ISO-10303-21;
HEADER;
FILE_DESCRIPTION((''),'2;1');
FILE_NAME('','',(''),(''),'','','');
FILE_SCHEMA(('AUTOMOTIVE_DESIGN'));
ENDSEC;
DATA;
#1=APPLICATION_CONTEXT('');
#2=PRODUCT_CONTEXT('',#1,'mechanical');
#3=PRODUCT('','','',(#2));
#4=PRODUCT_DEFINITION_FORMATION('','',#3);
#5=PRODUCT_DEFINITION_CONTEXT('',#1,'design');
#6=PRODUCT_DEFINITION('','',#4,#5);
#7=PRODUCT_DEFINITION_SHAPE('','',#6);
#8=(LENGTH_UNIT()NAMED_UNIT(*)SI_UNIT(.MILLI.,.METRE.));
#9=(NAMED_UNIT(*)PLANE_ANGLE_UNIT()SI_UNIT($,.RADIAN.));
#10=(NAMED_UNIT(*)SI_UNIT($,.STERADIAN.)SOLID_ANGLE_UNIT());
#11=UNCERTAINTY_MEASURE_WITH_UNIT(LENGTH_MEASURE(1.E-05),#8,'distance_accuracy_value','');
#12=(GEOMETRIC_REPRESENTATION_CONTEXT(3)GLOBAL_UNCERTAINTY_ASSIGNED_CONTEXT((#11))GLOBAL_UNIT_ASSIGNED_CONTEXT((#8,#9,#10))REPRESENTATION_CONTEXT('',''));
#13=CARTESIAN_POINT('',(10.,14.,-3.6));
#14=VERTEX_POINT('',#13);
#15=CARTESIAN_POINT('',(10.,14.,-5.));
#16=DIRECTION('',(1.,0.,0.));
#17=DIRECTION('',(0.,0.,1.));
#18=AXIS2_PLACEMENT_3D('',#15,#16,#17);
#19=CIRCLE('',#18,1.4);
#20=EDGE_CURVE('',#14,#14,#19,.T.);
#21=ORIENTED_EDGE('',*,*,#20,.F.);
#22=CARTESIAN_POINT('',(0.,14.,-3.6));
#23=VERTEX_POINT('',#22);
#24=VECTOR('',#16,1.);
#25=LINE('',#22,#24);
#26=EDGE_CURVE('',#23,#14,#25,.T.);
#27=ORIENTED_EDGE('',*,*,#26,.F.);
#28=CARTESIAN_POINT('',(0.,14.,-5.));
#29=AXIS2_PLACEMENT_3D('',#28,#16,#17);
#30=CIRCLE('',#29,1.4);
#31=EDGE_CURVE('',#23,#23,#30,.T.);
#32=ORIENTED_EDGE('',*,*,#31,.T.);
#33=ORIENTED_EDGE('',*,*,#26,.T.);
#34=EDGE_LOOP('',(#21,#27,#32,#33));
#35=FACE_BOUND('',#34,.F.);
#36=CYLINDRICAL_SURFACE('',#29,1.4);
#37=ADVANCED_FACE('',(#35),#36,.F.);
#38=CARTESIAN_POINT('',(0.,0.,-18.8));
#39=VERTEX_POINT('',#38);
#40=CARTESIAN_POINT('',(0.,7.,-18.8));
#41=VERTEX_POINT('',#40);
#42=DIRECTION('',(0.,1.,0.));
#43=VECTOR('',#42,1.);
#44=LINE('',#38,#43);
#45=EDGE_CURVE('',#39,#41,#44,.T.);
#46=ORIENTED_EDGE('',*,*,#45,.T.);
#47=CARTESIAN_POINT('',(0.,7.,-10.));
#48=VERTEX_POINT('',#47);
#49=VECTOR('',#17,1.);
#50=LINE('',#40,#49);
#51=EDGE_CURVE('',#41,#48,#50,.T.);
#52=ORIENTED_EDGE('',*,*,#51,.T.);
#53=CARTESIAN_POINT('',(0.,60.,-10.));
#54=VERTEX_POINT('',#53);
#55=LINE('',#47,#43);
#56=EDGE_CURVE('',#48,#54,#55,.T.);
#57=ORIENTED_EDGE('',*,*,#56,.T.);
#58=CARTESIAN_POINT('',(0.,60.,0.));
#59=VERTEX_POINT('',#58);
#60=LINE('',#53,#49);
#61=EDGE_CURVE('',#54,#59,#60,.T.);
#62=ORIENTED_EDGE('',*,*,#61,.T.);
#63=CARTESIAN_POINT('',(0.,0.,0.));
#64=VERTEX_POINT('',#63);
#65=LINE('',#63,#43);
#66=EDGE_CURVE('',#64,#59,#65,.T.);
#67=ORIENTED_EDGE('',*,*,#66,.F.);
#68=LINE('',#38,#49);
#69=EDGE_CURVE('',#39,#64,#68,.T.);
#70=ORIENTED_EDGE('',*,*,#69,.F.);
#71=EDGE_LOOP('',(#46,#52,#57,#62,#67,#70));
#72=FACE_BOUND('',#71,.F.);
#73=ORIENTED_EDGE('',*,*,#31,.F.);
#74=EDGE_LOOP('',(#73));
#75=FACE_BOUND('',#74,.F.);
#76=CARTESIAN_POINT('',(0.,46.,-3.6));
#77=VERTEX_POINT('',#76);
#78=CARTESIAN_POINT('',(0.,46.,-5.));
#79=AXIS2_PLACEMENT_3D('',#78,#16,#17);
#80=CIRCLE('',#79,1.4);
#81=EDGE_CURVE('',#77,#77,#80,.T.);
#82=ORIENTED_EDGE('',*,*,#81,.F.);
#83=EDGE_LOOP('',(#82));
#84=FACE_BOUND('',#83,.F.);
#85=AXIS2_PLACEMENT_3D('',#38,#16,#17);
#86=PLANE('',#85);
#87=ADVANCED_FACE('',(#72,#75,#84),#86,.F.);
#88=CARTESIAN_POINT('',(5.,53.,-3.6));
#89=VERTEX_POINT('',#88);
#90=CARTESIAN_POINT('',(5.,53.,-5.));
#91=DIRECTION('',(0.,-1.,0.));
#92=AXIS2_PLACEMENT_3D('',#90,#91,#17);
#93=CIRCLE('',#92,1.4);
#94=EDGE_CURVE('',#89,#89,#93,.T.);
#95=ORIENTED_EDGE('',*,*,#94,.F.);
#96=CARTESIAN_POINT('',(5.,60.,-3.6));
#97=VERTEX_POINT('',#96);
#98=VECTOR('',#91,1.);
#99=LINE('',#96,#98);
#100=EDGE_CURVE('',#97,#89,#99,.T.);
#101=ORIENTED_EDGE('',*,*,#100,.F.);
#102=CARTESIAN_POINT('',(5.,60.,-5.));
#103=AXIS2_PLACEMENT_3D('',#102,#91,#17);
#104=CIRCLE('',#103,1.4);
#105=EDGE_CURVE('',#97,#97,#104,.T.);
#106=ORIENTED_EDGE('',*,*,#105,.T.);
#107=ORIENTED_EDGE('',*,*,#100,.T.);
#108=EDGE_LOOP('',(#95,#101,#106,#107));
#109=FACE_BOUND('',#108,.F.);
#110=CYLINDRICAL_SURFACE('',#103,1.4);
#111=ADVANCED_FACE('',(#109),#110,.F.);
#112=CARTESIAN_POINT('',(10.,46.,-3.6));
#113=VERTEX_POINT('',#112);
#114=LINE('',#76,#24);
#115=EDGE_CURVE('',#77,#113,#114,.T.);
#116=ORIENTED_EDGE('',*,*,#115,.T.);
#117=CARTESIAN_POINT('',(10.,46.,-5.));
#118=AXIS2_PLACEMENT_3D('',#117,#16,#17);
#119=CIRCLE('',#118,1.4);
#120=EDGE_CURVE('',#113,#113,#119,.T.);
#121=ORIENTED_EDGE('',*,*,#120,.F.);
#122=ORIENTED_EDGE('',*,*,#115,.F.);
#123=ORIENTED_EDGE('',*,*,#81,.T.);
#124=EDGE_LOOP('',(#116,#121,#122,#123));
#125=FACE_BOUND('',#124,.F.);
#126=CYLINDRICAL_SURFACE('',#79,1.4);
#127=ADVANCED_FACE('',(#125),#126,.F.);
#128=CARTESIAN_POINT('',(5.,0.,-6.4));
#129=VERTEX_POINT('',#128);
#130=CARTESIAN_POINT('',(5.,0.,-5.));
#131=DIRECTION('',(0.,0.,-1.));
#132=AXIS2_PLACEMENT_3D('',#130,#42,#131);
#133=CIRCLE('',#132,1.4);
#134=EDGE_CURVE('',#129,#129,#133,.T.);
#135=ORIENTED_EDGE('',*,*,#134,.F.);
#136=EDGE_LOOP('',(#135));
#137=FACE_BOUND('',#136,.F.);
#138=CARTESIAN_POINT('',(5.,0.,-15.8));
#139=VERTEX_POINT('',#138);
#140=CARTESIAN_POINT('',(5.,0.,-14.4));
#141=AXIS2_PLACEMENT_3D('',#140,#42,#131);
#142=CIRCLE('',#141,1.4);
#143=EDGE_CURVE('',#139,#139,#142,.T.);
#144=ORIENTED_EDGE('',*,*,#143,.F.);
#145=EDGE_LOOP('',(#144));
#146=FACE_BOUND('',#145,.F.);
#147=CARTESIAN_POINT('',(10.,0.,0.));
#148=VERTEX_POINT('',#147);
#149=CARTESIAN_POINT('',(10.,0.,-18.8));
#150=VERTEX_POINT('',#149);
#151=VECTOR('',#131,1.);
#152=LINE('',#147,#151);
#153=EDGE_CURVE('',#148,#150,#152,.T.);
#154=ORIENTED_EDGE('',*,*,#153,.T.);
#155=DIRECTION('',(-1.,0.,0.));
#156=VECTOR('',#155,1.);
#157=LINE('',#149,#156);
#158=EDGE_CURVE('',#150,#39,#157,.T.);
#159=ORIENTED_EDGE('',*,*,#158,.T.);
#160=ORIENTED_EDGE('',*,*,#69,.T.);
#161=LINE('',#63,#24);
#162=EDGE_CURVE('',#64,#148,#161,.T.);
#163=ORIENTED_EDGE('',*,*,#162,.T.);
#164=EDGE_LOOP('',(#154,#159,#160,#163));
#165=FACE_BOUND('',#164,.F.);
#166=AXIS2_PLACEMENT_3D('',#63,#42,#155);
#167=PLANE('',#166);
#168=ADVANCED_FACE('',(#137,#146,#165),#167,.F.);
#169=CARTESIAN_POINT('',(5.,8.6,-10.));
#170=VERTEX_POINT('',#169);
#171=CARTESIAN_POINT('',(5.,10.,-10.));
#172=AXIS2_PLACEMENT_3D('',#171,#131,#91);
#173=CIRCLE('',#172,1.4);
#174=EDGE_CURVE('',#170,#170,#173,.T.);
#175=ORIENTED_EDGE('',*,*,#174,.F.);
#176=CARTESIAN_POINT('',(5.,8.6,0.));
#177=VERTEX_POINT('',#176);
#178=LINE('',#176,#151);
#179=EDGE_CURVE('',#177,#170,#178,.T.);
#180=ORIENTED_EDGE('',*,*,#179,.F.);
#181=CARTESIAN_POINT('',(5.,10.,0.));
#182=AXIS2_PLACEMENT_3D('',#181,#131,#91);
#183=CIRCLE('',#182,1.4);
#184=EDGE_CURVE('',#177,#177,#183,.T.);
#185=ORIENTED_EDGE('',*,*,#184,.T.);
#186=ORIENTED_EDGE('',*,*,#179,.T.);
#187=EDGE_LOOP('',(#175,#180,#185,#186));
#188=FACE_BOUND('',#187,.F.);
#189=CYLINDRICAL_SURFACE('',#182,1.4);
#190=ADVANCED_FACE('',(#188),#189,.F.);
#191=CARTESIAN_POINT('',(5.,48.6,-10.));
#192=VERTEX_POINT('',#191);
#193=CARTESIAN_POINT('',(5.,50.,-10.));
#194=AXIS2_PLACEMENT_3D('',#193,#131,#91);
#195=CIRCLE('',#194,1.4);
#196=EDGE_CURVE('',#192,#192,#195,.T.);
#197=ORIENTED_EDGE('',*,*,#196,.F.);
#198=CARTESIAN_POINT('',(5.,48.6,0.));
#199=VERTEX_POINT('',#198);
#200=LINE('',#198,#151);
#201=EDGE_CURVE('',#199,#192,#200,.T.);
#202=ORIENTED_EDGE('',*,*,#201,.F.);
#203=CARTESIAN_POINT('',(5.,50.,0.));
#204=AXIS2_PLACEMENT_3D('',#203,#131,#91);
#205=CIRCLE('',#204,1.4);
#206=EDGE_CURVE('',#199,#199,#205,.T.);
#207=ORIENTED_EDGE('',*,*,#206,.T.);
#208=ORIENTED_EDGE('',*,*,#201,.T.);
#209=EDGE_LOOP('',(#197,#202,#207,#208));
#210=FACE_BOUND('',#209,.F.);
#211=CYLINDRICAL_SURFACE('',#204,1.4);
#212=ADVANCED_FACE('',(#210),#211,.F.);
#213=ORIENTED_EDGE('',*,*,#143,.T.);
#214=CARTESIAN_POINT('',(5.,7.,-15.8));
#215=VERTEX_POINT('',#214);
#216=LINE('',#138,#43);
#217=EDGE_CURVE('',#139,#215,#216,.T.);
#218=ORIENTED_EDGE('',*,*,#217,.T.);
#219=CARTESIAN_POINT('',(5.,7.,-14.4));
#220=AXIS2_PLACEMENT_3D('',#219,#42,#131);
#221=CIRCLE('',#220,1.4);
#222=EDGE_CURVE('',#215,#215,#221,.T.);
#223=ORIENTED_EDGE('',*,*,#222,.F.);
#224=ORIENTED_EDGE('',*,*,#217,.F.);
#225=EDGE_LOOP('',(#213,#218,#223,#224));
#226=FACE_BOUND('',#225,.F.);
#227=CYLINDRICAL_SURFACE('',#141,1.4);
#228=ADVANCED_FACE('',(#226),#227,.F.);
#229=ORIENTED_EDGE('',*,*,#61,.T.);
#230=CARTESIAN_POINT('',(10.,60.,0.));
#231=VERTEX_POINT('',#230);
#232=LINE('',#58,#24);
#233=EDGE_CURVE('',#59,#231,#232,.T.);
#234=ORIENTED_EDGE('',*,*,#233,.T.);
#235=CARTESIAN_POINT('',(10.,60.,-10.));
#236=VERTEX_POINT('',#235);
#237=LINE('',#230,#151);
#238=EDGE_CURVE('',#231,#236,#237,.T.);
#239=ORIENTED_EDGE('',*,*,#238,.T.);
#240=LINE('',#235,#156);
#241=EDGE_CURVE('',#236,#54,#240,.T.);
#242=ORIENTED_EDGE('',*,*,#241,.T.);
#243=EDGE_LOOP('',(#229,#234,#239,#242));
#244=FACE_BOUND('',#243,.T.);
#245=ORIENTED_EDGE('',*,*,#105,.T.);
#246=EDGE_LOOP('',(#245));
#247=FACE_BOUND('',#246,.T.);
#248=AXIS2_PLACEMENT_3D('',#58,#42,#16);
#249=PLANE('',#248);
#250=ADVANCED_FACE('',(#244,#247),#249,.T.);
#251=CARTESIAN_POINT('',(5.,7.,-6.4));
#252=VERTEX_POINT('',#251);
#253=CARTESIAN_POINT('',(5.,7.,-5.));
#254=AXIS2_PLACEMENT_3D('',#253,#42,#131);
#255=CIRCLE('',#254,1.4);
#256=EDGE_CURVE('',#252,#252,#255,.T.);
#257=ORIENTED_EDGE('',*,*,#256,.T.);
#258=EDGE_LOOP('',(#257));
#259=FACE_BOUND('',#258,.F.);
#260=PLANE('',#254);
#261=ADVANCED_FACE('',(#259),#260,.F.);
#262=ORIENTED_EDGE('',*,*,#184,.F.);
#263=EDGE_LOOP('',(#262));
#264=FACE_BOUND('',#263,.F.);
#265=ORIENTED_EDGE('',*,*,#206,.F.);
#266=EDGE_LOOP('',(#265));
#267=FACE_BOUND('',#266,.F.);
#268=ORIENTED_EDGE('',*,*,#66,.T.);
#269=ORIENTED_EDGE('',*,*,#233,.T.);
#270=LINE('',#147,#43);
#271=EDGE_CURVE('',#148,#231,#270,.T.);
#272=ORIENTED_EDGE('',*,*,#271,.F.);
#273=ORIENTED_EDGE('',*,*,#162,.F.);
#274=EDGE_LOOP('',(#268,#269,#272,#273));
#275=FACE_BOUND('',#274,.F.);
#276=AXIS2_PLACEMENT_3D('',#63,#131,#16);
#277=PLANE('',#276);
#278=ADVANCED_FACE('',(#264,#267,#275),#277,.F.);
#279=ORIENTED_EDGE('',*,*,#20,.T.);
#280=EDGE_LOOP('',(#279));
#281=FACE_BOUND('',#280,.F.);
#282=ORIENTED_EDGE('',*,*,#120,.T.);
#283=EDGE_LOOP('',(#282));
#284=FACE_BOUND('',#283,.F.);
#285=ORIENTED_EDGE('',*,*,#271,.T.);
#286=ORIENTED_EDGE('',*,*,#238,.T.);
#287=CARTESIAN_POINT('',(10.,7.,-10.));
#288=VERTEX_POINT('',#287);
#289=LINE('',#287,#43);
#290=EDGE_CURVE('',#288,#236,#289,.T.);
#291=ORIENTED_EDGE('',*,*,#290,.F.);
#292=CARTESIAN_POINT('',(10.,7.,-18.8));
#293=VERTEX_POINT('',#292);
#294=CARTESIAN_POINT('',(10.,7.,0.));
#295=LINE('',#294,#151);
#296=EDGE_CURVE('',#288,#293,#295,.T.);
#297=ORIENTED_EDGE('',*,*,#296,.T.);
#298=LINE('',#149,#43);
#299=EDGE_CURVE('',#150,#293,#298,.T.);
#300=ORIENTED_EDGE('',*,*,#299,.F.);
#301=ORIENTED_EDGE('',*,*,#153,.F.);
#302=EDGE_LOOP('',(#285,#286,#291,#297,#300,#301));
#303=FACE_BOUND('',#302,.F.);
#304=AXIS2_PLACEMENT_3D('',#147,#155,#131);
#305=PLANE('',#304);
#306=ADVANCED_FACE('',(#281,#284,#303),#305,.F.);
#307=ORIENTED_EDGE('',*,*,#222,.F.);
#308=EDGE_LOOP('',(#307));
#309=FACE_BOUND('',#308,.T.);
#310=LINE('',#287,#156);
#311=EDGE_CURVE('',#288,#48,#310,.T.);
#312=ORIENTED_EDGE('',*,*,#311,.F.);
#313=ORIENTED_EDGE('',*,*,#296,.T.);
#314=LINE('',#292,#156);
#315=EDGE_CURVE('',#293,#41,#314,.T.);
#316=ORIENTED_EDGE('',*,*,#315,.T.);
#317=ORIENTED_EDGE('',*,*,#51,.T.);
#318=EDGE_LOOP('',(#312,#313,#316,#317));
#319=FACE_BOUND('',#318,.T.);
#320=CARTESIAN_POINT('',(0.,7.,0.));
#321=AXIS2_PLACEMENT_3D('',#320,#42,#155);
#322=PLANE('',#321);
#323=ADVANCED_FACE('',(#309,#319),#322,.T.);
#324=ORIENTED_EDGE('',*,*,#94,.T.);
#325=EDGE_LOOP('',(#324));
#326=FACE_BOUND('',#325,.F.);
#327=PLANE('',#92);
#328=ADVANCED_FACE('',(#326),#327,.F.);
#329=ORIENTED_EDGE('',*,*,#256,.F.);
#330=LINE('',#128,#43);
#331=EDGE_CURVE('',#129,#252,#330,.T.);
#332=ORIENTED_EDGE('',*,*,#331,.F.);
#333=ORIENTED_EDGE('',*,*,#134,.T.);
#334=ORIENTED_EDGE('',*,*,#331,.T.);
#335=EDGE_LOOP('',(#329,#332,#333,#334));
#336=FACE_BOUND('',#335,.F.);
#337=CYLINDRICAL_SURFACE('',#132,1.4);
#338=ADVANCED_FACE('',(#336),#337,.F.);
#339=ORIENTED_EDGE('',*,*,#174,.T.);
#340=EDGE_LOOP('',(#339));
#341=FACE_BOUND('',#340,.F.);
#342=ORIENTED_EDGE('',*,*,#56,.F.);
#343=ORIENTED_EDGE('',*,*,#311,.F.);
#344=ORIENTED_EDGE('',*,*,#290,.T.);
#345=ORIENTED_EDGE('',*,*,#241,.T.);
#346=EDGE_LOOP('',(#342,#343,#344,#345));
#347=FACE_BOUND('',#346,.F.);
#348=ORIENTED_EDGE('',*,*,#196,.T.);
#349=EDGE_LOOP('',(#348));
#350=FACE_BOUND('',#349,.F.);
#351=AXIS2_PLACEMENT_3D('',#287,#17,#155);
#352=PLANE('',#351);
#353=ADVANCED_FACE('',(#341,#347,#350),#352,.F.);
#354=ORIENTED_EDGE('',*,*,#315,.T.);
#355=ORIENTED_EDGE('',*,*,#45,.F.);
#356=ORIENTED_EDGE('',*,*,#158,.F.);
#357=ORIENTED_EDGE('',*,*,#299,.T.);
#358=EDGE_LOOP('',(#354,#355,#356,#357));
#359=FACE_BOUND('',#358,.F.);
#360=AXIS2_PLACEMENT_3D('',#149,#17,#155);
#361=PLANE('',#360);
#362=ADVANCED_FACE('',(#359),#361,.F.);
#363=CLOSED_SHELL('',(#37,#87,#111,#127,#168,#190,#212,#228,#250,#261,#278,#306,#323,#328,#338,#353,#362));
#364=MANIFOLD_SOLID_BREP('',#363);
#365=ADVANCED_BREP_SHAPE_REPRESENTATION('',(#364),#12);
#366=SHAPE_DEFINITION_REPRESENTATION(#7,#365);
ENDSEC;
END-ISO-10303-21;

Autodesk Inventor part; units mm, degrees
ref_plane "YZ Plane" through (0, 0, 0) normal (1, 0, 0) x (0, 1, 0)
ref_plane "XZ Plane" through (0, 0, 0) normal (0, 1, 0) x (-1, 0, 0)
ref_plane "XY Plane" through (0, 0, 0) normal (0, 0, 1) x (1, 0, 0)
sketch "Эскиз1" plane through (0, 0, 0) normal (0, 1, 0) x (-1, 0, 0)
  line L0 (0, 0) -> (-10, 0)
  line L1 (-10, 0) -> (-10, -18.8)
  line L2 (-10, -18.8) -> (0, -18.8)
  line L3 (0, -18.8) -> (0, 0)
  point P0 (0, 0)
  dimension "d0" = 10
  dimension "d1" = 18.8
extrude "Выдавливание1" add sketch "Эскиз1" along normal blind 7
sketch "Эскиз2" plane through (0, 7, 0) normal (0, 1, 0) x (1, 0, 0)
  line L0 (10, 0) -> (10, 18.8) projected
  line L1 (0, 0) -> (10, 0)
  line L2 (10, 0) -> (10, 10)
  line L3 (10, 10) -> (0, 10)
  line L4 (0, 10) -> (0, 0)
  dimension "d4" = 10
extrude "Выдавливание2" add sketch "Эскиз2" along normal blind 53
sketch "Эскиз4" plane through (0, 0, 0) normal (0, -1, 0) x (1, 0, 0)
  line L0 (0, 0) -> (10, 0) projected
  line L1 (0, 0) -> (10, 0) projected
  line L2 (10, 0) -> (10, -10) projected
  line L3 (10, -10) -> (0, -10) projected
  line L4 (0, -10) -> (0, 0) projected
  line L5 (0, -10) -> (10, -10) projected
  line L6 (10, -10) -> (10, -18.8) projected
  line L7 (10, -18.8) -> (0, -18.8) projected
  line L8 (0, -18.8) -> (0, -10) projected
  point P0 (5, -5)
  point P1 (5, -14.4)
  point P2 (5, 0)
  point P3 (10, -5)
  point P4 (10, -14.4)
hole "Отверстие1" at (5, 0, -5) at (5, 0, -14.4) direction (0, 1, 0) diameter 2.8 depth 7
sketch "Эскиз7" plane through (0, 0, 0) normal (0, 0, 1) x (1, 0, 0)
  line L0 (0, 0) -> (10, 0) projected
  line L1 (0, 60) -> (10, 60) projected
  point P0 (5, 10)
  point P1 (5, 50)
  point P2 (5, 0)
  dimension "d21" = 10
  dimension "d22" = 10
hole "Отверстие2" at (5, 10, 0) at (5, 50, 0) direction (0, 0, -1) diameter 2.8 end through all
sketch "Эскиз9" plane through (0, 60, 0) normal (0, 1, 0) x (1, 0, 0)
  circle A0 centre (5, 5) radius 1.4 projected
  point P0 (0, 0)
hole "Отверстие3" at (5, 60, -5) direction (0, -1, 0) diameter 2.8 depth 7
sketch "Эскиз11" plane through (0, 0, -18.8) normal (-1, 0, 0) x (0, 0, 1)
  line L0 (8.8, 60) -> (18.8, 60) projected
  line L1 (0, 0) -> (18.8, 0) projected
  point P0 (13.8, 14)
  point P1 (13.8, 46)
  point P2 (13.8, 60)
  dimension "d37" = 14
  dimension "d38" = 14
hole "Отверстие4" at (0, 14, -5) at (0, 46, -5) direction (1, 0, 0) diameter 2.8 end through all
properties part number "StructureCenter"
